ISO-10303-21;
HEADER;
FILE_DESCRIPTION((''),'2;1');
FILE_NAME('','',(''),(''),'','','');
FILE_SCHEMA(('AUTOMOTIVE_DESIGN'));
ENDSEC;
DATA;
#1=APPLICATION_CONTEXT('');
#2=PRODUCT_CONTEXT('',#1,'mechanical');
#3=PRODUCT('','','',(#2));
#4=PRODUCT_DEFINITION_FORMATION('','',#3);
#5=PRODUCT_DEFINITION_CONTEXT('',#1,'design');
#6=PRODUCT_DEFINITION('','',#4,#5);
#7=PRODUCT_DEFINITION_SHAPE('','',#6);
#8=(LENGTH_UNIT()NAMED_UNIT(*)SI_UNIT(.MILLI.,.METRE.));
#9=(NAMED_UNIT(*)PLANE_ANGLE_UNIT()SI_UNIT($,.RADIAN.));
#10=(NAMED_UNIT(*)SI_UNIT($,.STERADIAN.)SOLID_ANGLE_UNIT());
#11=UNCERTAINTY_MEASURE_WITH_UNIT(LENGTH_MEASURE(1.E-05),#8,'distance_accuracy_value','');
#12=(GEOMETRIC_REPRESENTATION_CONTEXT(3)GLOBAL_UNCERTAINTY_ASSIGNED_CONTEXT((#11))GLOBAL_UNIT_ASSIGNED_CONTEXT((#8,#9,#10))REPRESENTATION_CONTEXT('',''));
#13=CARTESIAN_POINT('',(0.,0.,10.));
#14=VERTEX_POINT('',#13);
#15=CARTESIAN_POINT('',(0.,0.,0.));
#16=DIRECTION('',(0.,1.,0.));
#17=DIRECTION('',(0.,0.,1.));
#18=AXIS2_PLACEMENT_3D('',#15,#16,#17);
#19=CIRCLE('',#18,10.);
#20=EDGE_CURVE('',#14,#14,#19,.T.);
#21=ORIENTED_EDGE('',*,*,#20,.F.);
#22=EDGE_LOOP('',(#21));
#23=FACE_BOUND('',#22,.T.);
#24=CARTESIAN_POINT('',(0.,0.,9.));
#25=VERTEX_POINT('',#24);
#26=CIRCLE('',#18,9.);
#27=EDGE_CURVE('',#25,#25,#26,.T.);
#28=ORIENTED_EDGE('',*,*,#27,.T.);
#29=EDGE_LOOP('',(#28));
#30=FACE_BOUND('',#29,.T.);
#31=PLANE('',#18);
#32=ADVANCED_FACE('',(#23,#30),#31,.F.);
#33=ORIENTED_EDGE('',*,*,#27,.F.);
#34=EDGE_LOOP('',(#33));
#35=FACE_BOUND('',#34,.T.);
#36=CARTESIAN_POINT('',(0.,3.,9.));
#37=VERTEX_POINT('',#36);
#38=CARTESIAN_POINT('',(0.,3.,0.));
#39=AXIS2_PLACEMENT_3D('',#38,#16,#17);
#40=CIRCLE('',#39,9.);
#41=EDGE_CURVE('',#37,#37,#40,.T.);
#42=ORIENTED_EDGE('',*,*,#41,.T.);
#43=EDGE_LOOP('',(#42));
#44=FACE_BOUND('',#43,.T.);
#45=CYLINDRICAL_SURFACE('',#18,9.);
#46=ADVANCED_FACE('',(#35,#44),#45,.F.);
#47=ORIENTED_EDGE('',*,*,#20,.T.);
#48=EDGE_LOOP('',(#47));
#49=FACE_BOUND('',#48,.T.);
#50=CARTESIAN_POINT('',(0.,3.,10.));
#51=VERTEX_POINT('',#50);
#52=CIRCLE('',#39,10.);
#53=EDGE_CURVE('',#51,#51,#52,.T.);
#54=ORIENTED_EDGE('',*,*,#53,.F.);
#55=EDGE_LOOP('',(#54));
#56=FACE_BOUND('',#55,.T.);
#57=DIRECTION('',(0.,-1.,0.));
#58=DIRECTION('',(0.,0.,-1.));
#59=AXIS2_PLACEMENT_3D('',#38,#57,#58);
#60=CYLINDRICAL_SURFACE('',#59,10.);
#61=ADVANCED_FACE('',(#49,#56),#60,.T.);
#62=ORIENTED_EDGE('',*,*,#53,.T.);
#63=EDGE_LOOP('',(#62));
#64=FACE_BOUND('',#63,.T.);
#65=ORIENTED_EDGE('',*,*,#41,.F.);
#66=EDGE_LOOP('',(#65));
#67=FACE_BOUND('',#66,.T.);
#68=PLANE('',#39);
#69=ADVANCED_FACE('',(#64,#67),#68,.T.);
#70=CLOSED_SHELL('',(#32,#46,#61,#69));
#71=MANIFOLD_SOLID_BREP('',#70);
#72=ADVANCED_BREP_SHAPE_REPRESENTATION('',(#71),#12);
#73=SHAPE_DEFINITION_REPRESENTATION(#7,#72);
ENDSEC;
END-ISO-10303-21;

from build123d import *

# Parameters (mm, degrees)
SKETCH1_R           = 10
BOSS_EXTRUDE1_DEPTH = 3
SKETCH2_R           = 9
CUT_EXTRUDE1_DEPTH  = 3


with BuildPart() as part:
    # Sketch1 → Boss-Extrude1 (new body)
    with BuildSketch(Plane(origin=(0, 0, 0), x_dir=(1, 0, 0), z_dir=(0, 1, 0))):
        with Locations(Location((0, 0, 0), (0, 0, 270))):
            Circle(SKETCH1_R)
    extrude(amount=BOSS_EXTRUDE1_DEPTH)

    # Sketch2 → Cut-Extrude1 (cut)
    with BuildSketch(Plane(origin=(0, 3, 0), x_dir=(1, 0, 0), z_dir=(0, 1, 0))):
        with Locations(Location((0, 0, 0), (0, 0, 270))):
            Circle(SKETCH2_R)
    extrude(amount=-CUT_EXTRUDE1_DEPTH, mode=Mode.SUBTRACT)


solid = part.part
